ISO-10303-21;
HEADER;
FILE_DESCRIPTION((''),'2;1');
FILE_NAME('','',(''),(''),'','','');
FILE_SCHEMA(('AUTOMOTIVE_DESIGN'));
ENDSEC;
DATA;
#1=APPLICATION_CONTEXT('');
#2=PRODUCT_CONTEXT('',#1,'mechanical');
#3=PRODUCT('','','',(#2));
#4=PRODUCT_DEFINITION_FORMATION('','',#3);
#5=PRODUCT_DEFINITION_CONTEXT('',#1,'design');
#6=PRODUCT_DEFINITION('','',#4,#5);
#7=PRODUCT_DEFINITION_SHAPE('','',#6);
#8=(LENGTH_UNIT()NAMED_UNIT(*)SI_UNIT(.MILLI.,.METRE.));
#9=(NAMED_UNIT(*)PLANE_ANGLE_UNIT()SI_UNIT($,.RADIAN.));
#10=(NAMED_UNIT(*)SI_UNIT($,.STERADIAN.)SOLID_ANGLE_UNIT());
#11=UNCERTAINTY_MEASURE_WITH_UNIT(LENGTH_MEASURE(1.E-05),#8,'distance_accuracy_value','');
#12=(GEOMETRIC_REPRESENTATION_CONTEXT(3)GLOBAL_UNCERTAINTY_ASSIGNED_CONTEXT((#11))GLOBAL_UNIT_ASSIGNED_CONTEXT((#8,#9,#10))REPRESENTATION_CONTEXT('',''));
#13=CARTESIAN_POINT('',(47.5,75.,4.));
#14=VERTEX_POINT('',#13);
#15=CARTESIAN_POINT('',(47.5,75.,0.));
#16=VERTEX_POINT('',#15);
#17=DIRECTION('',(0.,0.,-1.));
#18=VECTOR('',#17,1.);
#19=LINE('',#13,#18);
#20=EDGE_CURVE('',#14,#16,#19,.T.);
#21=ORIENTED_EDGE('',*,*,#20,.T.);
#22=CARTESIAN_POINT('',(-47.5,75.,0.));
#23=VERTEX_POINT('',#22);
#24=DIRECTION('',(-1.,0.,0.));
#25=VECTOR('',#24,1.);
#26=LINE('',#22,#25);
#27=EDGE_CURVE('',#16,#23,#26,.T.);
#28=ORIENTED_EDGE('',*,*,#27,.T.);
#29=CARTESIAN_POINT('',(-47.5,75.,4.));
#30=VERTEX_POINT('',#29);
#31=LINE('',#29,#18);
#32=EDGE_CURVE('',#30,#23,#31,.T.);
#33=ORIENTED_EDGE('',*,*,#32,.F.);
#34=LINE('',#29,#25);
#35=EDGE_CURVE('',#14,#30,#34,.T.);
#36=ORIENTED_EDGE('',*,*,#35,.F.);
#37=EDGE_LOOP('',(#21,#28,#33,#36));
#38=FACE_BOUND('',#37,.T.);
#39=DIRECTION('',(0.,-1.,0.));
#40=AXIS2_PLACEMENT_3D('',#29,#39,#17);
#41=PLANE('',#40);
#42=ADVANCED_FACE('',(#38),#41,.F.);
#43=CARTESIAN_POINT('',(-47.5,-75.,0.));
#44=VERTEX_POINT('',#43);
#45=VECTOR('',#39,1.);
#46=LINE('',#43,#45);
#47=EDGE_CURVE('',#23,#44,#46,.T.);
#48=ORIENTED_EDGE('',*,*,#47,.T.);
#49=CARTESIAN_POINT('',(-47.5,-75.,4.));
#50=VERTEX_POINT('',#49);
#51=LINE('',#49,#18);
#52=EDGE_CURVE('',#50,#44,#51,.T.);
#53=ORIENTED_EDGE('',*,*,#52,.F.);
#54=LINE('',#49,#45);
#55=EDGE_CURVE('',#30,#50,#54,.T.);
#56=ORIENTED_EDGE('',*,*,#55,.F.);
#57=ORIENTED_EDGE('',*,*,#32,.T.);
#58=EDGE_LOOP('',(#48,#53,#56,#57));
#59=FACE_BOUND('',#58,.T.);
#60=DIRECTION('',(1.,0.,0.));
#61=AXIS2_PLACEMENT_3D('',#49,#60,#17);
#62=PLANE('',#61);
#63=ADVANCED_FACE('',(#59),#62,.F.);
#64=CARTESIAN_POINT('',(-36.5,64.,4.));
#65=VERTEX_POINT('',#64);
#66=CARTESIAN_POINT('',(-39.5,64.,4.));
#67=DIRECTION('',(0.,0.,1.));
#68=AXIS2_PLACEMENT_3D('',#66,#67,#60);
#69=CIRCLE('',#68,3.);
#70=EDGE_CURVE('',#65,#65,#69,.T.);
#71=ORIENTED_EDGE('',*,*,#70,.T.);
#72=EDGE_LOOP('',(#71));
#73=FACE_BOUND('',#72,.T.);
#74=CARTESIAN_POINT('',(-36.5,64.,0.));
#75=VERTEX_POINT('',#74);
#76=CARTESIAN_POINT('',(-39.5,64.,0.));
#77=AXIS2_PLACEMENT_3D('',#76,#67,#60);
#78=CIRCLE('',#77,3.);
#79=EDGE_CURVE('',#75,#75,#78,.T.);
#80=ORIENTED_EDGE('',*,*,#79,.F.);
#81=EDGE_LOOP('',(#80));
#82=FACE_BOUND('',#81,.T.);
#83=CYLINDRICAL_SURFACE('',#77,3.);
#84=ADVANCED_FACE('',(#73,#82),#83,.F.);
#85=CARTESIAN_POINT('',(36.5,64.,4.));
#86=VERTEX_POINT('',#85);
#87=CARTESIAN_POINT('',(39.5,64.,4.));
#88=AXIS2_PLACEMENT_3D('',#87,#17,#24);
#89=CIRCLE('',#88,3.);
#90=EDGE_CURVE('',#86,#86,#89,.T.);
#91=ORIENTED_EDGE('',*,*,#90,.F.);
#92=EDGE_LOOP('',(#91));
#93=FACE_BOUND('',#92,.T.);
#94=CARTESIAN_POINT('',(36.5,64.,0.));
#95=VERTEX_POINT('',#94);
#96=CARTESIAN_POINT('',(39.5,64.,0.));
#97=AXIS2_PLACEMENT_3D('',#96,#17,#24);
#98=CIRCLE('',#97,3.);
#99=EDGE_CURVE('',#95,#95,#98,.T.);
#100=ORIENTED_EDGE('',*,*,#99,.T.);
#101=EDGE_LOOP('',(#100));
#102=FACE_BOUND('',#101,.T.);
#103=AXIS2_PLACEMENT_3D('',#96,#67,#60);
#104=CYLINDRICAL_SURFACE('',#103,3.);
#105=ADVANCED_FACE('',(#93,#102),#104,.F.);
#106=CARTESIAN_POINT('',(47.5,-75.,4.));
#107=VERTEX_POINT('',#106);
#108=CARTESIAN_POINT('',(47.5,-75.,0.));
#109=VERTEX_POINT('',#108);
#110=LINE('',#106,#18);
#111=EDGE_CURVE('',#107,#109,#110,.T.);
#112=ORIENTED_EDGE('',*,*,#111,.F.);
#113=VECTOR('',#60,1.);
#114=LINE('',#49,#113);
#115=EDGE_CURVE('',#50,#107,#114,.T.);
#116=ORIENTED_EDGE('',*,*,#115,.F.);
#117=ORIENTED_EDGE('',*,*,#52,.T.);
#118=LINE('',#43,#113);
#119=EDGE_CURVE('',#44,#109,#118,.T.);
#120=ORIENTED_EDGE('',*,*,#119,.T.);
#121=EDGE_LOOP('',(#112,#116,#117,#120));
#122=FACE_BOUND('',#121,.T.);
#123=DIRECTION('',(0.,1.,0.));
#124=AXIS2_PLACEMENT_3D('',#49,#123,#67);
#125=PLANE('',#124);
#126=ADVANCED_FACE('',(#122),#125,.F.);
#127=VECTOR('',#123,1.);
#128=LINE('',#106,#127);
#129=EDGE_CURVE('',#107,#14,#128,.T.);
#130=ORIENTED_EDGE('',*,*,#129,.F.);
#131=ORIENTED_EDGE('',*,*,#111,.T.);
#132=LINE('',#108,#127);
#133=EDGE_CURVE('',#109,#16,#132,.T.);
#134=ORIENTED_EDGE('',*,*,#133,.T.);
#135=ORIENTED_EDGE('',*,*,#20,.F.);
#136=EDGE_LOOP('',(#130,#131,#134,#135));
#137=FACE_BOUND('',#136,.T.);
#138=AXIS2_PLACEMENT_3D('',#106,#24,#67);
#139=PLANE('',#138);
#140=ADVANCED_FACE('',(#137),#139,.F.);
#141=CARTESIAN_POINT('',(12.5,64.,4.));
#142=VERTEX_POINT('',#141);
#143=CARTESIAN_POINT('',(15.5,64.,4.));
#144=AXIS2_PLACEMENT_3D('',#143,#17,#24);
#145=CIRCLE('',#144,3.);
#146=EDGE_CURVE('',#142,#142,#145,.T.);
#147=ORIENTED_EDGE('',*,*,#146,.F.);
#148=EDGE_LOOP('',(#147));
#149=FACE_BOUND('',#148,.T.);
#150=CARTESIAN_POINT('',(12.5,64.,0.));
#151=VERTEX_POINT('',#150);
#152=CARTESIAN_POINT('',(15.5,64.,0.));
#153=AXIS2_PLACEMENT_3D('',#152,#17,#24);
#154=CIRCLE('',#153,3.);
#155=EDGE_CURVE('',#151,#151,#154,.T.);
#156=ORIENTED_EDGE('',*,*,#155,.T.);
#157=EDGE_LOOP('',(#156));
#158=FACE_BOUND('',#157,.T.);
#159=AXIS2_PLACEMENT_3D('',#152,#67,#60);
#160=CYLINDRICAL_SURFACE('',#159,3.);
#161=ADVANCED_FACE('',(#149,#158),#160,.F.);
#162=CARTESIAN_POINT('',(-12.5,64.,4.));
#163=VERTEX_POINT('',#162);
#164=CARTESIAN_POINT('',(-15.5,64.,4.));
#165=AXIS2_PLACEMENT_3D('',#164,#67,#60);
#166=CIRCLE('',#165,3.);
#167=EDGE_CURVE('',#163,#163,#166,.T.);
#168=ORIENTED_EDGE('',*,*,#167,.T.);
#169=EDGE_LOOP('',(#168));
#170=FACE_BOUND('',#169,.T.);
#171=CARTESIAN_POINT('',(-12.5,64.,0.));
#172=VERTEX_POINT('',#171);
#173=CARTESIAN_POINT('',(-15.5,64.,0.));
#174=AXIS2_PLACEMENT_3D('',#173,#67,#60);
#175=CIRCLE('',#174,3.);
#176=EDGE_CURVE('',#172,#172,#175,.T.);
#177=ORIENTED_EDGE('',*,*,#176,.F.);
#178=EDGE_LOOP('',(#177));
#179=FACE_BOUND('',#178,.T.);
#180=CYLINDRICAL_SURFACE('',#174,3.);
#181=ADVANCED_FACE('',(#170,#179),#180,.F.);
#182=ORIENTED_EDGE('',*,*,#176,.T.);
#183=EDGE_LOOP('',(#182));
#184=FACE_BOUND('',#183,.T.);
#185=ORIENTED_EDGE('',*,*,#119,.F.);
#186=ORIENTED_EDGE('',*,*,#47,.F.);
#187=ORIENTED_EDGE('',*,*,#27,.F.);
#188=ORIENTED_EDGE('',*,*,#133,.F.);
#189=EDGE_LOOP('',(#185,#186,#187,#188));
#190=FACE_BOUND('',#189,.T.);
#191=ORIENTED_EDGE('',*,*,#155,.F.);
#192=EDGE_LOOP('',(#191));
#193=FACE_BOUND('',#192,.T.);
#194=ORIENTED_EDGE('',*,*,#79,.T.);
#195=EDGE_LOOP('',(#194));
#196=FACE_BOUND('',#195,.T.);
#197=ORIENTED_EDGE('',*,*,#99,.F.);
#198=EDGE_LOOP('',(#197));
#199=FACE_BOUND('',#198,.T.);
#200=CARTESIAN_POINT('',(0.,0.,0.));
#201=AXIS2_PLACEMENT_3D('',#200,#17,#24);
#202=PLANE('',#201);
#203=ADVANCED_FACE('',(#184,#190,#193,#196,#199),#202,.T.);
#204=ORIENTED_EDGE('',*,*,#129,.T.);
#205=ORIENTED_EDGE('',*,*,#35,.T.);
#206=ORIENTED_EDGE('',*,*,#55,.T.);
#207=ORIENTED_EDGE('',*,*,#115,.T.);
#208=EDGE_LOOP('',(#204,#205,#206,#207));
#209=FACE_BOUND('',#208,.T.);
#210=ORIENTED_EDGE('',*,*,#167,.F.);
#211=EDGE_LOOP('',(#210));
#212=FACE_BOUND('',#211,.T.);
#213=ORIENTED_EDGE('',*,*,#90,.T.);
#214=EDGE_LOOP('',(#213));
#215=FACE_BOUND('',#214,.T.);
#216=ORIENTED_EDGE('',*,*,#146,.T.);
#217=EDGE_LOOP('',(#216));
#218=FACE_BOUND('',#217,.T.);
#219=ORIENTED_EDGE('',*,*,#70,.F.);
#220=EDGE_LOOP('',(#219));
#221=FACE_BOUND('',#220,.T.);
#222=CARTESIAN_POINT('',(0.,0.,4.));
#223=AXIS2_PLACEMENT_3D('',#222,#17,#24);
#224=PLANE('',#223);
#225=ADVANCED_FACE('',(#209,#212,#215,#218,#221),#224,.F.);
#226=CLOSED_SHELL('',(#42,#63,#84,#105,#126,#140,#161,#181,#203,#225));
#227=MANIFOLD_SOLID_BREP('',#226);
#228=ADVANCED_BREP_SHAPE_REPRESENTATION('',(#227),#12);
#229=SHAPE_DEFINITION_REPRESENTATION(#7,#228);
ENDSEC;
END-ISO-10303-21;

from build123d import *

# Parameters (mm, degrees)
SKETCH_1_W          = 95
SKETCH_1_H          = 150
EXTRUDE_1_DEPTH     = 4
SKETCH_2_R          = 3
CUT_EXTRUDE_1_DEPTH = 89.866472868


with BuildPart() as part:
    # 草图1 → 凸台-拉伸1 (new body)
    with BuildSketch(Plane.XY):
        Rectangle(SKETCH_1_W, SKETCH_1_H)
    extrude(amount=EXTRUDE_1_DEPTH)

    # 草图2 → 切除-拉伸1 (cut, through all)
    with BuildSketch(Plane.XY.offset(4)):
        with Locations((-39.5, 64)):
            Circle(SKETCH_2_R)
        with Locations((-15.5, 64)):
            Circle(SKETCH_2_R)
    cut_extrude_1 = extrude(amount=-CUT_EXTRUDE_1_DEPTH, mode=Mode.SUBTRACT)

    # 镜向1: 切除-拉伸1 across plane
    add(cut_extrude_1.mirror(Plane(origin=(0, 0, 0), x_dir=(0, 0, 1), z_dir=(1, 0, 0))), mode=Mode.SUBTRACT)


solid = part.part
